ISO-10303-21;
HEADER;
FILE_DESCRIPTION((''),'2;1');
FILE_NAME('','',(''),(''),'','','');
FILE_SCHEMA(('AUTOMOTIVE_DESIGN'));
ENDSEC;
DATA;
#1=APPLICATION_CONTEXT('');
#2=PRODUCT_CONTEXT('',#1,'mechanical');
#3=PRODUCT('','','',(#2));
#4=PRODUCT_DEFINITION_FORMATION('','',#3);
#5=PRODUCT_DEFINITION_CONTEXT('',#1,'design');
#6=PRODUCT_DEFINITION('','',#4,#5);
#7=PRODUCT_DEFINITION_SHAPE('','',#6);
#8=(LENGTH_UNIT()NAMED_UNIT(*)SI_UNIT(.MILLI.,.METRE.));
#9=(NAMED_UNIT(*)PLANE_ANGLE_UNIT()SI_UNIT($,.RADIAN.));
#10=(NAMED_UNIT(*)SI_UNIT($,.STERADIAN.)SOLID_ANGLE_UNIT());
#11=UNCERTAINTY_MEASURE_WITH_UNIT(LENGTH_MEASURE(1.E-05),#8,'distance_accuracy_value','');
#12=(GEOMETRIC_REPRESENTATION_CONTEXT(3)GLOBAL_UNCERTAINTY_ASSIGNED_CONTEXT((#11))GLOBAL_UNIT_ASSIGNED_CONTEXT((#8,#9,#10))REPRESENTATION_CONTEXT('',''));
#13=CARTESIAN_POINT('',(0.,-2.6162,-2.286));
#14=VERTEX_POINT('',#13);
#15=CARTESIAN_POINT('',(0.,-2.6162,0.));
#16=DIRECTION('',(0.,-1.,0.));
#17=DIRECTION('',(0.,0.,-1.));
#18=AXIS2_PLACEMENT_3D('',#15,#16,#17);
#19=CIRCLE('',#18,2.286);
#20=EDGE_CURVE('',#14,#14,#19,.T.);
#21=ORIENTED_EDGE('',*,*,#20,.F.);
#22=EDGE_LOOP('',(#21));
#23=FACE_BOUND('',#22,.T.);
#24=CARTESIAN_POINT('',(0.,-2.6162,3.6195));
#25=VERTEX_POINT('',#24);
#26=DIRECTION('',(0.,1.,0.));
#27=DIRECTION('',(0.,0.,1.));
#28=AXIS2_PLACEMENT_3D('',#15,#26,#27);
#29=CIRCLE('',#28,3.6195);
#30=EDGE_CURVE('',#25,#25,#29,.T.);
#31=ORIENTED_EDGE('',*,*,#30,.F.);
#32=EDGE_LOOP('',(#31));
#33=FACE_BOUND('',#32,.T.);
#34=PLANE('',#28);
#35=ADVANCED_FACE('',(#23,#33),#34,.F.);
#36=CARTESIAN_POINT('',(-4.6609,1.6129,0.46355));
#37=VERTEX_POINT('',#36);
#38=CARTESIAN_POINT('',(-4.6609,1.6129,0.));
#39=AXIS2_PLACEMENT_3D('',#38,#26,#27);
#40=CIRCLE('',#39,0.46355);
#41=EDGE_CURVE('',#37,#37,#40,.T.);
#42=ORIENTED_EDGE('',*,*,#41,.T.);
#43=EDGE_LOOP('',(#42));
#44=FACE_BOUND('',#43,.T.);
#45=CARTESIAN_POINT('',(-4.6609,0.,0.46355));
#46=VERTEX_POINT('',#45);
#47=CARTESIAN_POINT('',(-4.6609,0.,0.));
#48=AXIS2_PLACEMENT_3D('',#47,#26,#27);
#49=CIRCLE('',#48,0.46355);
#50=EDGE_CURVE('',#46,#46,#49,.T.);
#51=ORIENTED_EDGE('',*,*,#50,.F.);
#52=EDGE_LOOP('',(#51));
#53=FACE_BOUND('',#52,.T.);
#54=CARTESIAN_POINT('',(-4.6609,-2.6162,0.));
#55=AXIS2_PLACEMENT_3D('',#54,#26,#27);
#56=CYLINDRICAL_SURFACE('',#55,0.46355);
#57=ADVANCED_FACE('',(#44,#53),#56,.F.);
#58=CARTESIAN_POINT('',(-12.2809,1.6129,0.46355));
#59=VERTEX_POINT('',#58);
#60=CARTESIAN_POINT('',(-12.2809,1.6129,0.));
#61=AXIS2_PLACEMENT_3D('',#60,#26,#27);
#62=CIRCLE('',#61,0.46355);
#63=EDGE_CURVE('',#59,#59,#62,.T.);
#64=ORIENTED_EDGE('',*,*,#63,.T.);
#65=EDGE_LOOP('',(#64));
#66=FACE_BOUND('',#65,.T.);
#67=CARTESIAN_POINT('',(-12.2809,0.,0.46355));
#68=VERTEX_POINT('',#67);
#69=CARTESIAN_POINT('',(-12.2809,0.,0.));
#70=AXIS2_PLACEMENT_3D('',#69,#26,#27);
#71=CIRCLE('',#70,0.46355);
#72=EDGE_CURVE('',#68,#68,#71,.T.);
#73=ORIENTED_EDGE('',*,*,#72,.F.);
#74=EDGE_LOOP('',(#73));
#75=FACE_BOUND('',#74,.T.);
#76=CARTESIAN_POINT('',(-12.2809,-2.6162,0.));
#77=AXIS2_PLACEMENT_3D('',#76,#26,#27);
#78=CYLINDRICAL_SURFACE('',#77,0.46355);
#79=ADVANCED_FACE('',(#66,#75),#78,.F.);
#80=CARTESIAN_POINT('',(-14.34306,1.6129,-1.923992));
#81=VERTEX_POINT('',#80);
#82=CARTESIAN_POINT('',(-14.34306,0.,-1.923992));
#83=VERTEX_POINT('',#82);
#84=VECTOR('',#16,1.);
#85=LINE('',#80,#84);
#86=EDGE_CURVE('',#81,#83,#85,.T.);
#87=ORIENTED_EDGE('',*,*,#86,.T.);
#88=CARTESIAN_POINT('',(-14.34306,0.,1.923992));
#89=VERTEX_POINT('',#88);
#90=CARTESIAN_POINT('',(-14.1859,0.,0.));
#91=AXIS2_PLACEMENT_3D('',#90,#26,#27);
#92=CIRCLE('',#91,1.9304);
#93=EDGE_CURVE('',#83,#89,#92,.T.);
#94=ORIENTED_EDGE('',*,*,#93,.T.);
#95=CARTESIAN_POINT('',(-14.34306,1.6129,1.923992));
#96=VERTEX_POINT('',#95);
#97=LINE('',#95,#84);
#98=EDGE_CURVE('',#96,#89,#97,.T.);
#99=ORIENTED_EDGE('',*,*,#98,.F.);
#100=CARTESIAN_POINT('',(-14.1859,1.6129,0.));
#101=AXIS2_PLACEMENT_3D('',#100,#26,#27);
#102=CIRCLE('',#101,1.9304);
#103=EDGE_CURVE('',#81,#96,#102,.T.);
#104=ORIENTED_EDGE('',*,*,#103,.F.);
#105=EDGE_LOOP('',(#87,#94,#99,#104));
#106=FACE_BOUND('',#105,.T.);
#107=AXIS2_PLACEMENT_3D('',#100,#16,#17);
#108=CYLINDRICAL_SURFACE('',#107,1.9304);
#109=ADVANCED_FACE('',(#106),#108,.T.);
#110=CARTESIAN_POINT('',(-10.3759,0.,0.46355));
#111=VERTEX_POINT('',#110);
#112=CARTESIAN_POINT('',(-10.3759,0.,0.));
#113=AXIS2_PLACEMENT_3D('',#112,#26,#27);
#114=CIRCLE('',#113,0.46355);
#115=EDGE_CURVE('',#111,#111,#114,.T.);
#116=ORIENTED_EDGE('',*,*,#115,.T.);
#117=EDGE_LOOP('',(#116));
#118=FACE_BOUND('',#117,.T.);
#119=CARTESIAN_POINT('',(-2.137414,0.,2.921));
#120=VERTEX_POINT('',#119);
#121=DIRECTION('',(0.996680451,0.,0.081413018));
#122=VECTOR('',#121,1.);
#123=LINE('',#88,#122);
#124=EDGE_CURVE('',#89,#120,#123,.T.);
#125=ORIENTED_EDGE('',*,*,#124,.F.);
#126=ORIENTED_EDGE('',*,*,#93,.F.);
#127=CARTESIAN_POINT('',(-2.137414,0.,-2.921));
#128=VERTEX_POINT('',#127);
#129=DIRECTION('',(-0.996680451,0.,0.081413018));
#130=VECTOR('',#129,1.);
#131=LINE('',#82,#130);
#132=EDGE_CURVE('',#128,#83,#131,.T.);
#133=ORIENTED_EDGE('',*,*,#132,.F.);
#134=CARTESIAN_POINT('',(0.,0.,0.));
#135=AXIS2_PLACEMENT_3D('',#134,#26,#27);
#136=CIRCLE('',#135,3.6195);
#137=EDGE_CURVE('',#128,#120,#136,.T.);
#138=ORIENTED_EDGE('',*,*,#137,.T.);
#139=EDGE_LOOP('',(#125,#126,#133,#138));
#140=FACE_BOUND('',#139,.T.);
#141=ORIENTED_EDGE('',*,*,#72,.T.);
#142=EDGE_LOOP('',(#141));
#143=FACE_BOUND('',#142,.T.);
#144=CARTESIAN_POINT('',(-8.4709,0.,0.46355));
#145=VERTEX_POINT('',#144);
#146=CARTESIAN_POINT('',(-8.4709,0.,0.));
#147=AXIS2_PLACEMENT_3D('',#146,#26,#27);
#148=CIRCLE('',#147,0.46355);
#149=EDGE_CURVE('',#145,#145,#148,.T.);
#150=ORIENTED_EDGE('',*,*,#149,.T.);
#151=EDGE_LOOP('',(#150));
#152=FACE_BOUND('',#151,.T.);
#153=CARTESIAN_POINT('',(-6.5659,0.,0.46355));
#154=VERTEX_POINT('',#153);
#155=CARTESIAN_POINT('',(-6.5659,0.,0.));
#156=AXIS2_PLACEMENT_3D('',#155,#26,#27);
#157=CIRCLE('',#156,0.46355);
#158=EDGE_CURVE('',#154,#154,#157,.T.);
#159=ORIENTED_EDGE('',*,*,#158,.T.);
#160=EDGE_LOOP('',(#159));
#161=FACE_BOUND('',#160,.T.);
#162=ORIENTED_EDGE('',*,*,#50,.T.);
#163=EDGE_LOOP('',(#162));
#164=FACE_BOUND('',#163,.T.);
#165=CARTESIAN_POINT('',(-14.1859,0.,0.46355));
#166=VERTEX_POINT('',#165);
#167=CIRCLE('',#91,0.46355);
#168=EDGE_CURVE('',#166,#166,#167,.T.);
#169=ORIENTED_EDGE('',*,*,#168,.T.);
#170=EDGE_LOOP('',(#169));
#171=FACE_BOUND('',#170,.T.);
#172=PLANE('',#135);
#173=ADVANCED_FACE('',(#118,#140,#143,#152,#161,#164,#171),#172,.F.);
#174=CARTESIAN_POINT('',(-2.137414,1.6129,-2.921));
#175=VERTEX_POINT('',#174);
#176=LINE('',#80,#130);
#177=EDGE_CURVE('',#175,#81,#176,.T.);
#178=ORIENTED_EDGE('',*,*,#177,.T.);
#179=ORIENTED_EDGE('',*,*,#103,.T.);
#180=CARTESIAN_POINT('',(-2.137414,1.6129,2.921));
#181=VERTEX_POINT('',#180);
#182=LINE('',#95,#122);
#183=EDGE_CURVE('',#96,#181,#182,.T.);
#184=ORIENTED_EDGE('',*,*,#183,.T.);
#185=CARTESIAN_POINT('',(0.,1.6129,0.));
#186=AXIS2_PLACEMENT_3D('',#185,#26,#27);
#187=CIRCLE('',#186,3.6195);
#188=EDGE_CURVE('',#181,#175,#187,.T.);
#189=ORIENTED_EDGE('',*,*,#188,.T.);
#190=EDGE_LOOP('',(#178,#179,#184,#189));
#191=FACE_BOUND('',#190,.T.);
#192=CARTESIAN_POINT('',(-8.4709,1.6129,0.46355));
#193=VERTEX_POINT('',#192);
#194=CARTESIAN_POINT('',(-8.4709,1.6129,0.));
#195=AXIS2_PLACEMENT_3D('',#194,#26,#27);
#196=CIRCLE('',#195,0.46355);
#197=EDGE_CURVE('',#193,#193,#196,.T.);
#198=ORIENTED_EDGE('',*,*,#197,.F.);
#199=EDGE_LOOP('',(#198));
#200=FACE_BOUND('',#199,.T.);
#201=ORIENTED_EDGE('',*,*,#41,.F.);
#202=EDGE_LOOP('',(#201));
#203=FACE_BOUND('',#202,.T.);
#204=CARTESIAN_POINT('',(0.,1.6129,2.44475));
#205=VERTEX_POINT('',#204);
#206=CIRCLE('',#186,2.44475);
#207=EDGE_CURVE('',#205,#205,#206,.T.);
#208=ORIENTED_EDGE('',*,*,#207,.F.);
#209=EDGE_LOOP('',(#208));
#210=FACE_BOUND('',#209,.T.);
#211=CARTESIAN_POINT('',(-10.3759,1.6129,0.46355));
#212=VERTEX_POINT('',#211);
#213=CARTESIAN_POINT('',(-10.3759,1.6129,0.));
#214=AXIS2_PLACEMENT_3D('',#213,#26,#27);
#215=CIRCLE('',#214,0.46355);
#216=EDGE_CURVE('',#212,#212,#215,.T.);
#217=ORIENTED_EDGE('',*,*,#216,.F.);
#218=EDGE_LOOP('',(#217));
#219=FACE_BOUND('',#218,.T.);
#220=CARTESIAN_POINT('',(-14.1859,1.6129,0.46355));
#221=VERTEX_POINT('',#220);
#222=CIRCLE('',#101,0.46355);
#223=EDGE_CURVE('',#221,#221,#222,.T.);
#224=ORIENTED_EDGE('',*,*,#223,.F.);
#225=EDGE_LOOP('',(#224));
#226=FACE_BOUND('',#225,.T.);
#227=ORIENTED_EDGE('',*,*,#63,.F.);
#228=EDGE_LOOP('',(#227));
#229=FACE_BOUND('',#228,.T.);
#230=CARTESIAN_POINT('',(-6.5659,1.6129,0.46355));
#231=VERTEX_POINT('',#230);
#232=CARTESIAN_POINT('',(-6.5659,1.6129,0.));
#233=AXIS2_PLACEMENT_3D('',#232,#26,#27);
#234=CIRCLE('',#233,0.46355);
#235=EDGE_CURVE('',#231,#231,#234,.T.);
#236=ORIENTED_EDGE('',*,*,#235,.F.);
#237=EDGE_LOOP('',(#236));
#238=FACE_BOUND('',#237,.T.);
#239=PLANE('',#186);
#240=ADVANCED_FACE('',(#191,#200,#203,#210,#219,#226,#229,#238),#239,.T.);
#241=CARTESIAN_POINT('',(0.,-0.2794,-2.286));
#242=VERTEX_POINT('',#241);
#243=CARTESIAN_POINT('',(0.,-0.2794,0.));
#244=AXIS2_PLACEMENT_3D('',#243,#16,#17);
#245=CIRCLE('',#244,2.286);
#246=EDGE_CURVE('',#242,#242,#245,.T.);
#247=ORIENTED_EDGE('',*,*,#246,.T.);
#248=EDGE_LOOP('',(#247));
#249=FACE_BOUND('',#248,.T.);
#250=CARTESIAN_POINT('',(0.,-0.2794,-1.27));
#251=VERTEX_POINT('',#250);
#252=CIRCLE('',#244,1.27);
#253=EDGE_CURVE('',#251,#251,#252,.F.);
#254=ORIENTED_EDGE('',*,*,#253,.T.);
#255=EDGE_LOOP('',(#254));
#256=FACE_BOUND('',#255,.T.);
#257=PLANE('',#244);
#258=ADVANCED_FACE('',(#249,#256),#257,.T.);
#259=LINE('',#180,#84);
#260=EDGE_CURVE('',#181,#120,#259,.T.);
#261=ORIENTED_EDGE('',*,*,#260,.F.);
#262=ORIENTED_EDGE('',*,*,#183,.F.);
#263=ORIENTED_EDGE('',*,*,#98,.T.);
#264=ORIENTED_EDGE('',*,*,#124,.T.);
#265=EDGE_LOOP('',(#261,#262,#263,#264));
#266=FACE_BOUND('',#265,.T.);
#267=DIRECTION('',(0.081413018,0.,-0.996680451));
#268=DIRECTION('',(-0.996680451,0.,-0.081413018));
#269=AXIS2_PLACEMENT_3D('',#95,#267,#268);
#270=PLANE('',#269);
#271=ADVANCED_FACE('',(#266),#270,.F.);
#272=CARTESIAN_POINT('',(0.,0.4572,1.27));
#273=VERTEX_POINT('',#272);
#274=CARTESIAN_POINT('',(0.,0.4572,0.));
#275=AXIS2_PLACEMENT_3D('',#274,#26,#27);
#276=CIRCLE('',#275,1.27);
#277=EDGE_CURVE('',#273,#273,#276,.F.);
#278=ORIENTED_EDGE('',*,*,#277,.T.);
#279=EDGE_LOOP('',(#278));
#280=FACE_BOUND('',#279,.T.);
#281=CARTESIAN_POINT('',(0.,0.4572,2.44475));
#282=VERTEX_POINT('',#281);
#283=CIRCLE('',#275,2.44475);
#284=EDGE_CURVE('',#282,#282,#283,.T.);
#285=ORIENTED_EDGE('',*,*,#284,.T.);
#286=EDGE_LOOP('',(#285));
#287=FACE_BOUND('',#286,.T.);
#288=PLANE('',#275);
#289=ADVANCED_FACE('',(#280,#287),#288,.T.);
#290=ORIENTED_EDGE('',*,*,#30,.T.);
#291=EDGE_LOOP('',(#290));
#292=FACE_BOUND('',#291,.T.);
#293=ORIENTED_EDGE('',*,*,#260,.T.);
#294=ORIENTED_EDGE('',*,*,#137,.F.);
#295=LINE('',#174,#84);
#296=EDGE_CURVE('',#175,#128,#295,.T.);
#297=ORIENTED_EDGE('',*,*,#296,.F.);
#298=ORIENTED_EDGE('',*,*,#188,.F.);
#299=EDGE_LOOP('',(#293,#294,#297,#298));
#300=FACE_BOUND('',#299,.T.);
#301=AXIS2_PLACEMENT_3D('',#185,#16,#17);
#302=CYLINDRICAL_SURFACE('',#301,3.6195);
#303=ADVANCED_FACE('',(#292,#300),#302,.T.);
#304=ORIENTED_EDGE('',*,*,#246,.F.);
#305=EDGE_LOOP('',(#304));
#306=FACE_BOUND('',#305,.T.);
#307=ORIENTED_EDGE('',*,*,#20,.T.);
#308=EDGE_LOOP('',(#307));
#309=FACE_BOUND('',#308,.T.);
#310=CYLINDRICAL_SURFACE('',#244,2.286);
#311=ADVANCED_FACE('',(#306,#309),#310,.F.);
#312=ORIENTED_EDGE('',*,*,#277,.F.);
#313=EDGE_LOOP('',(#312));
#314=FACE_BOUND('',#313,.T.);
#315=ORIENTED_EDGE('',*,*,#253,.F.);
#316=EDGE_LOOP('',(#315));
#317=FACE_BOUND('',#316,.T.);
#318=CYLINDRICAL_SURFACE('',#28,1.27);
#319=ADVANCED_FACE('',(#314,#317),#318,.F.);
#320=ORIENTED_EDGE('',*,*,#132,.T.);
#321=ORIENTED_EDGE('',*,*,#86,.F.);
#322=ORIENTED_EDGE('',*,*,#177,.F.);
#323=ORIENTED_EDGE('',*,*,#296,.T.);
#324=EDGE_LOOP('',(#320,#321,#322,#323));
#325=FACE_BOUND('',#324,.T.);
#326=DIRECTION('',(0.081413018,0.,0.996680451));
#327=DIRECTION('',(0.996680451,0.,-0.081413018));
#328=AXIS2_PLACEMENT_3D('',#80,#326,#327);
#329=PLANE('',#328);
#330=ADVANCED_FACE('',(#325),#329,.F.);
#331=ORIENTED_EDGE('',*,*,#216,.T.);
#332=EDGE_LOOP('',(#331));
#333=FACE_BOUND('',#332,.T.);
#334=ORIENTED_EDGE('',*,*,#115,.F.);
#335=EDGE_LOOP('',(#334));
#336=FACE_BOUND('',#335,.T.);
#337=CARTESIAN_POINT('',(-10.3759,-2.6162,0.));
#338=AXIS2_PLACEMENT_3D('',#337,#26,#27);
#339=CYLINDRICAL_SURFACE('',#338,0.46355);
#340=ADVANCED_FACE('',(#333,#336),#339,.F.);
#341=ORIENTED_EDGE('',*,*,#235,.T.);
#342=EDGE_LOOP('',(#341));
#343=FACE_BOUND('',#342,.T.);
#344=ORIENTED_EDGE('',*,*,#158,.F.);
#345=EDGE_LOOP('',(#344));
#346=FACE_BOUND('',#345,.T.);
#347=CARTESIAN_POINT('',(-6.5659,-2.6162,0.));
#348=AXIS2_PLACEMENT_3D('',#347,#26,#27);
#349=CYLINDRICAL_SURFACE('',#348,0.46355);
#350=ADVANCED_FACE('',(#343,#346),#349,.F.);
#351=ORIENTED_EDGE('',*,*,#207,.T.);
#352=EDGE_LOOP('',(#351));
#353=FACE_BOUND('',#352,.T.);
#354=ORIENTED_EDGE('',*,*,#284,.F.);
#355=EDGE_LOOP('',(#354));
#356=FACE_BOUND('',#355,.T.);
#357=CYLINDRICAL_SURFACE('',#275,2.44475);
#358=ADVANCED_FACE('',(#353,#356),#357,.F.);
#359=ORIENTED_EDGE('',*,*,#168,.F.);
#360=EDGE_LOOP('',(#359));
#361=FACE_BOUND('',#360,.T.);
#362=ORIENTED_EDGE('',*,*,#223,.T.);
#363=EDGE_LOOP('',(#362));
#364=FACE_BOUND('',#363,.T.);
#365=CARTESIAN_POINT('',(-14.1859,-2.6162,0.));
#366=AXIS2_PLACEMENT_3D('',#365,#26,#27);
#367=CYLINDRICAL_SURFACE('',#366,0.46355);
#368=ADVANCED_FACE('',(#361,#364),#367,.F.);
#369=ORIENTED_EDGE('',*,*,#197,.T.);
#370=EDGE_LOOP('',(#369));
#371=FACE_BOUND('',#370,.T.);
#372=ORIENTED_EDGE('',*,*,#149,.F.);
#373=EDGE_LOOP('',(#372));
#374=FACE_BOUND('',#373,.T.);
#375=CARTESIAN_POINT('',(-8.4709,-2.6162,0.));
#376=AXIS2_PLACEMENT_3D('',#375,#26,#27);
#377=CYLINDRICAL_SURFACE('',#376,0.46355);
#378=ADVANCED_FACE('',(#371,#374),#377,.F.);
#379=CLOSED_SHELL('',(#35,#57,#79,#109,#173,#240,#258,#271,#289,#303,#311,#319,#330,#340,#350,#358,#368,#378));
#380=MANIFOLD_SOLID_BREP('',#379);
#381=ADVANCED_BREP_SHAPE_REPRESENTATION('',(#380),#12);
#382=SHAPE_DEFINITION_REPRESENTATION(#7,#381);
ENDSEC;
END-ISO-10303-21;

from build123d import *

# Parameters (mm, degrees)
EXTRUDE17_DEPTH = 1.6129
SKETCH19_R      = 3.6195
EXTRUDE19_DEPTH = 4.2291
SKETCH20_R      = 0.46355
SKETCH20_R_2    = 1.27
EXTRUDE20_DEPTH = 5.2291
SKETCH21_R      = 2.44475
EXTRUDE21_DEPTH = 1.1557
SKETCH22_R      = 2.286
EXTRUDE22_DEPTH = 2.3368


with BuildPart() as part:
    # Sketch18 → Extrude17 (new body)
    with BuildSketch(Plane(origin=(0, 0, 0), x_dir=(1, 0, 0), z_dir=(0, 1, 0))):
        with BuildLine():
            Line((-14.34305969, 1.923991942), (-2.13741415, 2.921))
            ThreePointArc((-2.13741415, 2.921), (3.6195, 0), (-2.13741415, -2.921))
            Line((-2.13741415, -2.921), (-14.34305969, -1.923991942))
            ThreePointArc((-14.34305969, -1.923991942), (-16.1163, 0), (-14.34305969, 1.923991942))
        make_face()
    extrude(amount=EXTRUDE17_DEPTH)

    # Sketch19 → Extrude19 (add)
    with BuildSketch(Plane(origin=(0, 1.6129, 0), x_dir=(1, 0, 0), z_dir=(0, 1, 0))):
        Circle(SKETCH19_R)
    extrude(amount=-EXTRUDE19_DEPTH)

    # Sketch20 → Extrude20 (cut, through all)
    with BuildSketch(Plane(origin=(0, 1.6129, 0), x_dir=(1, 0, 0), z_dir=(0, 1, 0))):
        with Locations((-14.1859, 0)):
            Circle(SKETCH20_R)
        Circle(SKETCH20_R_2)
        with Locations((-4.6609, 0)):
            Circle(SKETCH20_R)
        with Locations((-6.5659, 0)):
            Circle(SKETCH20_R)
        with Locations((-8.4709, 0)):
            Circle(SKETCH20_R)
        with Locations((-10.3759, 0)):
            Circle(SKETCH20_R)
        with Locations((-12.2809, 0)):
            Circle(SKETCH20_R)
    extrude(amount=-EXTRUDE20_DEPTH, mode=Mode.SUBTRACT)

    # Sketch21 → Extrude21 (cut)
    with BuildSketch(Plane(origin=(0, 1.6129, 0), x_dir=(1, 0, 0), z_dir=(0, 1, 0))):
        Circle(SKETCH21_R)
    extrude(amount=-EXTRUDE21_DEPTH, mode=Mode.SUBTRACT)

    # Sketch22 → Extrude22 (cut)
    with BuildSketch(Plane.XZ.offset(2.6162)):
        Circle(SKETCH22_R)
    extrude(amount=-EXTRUDE22_DEPTH, mode=Mode.SUBTRACT)


solid = part.part
